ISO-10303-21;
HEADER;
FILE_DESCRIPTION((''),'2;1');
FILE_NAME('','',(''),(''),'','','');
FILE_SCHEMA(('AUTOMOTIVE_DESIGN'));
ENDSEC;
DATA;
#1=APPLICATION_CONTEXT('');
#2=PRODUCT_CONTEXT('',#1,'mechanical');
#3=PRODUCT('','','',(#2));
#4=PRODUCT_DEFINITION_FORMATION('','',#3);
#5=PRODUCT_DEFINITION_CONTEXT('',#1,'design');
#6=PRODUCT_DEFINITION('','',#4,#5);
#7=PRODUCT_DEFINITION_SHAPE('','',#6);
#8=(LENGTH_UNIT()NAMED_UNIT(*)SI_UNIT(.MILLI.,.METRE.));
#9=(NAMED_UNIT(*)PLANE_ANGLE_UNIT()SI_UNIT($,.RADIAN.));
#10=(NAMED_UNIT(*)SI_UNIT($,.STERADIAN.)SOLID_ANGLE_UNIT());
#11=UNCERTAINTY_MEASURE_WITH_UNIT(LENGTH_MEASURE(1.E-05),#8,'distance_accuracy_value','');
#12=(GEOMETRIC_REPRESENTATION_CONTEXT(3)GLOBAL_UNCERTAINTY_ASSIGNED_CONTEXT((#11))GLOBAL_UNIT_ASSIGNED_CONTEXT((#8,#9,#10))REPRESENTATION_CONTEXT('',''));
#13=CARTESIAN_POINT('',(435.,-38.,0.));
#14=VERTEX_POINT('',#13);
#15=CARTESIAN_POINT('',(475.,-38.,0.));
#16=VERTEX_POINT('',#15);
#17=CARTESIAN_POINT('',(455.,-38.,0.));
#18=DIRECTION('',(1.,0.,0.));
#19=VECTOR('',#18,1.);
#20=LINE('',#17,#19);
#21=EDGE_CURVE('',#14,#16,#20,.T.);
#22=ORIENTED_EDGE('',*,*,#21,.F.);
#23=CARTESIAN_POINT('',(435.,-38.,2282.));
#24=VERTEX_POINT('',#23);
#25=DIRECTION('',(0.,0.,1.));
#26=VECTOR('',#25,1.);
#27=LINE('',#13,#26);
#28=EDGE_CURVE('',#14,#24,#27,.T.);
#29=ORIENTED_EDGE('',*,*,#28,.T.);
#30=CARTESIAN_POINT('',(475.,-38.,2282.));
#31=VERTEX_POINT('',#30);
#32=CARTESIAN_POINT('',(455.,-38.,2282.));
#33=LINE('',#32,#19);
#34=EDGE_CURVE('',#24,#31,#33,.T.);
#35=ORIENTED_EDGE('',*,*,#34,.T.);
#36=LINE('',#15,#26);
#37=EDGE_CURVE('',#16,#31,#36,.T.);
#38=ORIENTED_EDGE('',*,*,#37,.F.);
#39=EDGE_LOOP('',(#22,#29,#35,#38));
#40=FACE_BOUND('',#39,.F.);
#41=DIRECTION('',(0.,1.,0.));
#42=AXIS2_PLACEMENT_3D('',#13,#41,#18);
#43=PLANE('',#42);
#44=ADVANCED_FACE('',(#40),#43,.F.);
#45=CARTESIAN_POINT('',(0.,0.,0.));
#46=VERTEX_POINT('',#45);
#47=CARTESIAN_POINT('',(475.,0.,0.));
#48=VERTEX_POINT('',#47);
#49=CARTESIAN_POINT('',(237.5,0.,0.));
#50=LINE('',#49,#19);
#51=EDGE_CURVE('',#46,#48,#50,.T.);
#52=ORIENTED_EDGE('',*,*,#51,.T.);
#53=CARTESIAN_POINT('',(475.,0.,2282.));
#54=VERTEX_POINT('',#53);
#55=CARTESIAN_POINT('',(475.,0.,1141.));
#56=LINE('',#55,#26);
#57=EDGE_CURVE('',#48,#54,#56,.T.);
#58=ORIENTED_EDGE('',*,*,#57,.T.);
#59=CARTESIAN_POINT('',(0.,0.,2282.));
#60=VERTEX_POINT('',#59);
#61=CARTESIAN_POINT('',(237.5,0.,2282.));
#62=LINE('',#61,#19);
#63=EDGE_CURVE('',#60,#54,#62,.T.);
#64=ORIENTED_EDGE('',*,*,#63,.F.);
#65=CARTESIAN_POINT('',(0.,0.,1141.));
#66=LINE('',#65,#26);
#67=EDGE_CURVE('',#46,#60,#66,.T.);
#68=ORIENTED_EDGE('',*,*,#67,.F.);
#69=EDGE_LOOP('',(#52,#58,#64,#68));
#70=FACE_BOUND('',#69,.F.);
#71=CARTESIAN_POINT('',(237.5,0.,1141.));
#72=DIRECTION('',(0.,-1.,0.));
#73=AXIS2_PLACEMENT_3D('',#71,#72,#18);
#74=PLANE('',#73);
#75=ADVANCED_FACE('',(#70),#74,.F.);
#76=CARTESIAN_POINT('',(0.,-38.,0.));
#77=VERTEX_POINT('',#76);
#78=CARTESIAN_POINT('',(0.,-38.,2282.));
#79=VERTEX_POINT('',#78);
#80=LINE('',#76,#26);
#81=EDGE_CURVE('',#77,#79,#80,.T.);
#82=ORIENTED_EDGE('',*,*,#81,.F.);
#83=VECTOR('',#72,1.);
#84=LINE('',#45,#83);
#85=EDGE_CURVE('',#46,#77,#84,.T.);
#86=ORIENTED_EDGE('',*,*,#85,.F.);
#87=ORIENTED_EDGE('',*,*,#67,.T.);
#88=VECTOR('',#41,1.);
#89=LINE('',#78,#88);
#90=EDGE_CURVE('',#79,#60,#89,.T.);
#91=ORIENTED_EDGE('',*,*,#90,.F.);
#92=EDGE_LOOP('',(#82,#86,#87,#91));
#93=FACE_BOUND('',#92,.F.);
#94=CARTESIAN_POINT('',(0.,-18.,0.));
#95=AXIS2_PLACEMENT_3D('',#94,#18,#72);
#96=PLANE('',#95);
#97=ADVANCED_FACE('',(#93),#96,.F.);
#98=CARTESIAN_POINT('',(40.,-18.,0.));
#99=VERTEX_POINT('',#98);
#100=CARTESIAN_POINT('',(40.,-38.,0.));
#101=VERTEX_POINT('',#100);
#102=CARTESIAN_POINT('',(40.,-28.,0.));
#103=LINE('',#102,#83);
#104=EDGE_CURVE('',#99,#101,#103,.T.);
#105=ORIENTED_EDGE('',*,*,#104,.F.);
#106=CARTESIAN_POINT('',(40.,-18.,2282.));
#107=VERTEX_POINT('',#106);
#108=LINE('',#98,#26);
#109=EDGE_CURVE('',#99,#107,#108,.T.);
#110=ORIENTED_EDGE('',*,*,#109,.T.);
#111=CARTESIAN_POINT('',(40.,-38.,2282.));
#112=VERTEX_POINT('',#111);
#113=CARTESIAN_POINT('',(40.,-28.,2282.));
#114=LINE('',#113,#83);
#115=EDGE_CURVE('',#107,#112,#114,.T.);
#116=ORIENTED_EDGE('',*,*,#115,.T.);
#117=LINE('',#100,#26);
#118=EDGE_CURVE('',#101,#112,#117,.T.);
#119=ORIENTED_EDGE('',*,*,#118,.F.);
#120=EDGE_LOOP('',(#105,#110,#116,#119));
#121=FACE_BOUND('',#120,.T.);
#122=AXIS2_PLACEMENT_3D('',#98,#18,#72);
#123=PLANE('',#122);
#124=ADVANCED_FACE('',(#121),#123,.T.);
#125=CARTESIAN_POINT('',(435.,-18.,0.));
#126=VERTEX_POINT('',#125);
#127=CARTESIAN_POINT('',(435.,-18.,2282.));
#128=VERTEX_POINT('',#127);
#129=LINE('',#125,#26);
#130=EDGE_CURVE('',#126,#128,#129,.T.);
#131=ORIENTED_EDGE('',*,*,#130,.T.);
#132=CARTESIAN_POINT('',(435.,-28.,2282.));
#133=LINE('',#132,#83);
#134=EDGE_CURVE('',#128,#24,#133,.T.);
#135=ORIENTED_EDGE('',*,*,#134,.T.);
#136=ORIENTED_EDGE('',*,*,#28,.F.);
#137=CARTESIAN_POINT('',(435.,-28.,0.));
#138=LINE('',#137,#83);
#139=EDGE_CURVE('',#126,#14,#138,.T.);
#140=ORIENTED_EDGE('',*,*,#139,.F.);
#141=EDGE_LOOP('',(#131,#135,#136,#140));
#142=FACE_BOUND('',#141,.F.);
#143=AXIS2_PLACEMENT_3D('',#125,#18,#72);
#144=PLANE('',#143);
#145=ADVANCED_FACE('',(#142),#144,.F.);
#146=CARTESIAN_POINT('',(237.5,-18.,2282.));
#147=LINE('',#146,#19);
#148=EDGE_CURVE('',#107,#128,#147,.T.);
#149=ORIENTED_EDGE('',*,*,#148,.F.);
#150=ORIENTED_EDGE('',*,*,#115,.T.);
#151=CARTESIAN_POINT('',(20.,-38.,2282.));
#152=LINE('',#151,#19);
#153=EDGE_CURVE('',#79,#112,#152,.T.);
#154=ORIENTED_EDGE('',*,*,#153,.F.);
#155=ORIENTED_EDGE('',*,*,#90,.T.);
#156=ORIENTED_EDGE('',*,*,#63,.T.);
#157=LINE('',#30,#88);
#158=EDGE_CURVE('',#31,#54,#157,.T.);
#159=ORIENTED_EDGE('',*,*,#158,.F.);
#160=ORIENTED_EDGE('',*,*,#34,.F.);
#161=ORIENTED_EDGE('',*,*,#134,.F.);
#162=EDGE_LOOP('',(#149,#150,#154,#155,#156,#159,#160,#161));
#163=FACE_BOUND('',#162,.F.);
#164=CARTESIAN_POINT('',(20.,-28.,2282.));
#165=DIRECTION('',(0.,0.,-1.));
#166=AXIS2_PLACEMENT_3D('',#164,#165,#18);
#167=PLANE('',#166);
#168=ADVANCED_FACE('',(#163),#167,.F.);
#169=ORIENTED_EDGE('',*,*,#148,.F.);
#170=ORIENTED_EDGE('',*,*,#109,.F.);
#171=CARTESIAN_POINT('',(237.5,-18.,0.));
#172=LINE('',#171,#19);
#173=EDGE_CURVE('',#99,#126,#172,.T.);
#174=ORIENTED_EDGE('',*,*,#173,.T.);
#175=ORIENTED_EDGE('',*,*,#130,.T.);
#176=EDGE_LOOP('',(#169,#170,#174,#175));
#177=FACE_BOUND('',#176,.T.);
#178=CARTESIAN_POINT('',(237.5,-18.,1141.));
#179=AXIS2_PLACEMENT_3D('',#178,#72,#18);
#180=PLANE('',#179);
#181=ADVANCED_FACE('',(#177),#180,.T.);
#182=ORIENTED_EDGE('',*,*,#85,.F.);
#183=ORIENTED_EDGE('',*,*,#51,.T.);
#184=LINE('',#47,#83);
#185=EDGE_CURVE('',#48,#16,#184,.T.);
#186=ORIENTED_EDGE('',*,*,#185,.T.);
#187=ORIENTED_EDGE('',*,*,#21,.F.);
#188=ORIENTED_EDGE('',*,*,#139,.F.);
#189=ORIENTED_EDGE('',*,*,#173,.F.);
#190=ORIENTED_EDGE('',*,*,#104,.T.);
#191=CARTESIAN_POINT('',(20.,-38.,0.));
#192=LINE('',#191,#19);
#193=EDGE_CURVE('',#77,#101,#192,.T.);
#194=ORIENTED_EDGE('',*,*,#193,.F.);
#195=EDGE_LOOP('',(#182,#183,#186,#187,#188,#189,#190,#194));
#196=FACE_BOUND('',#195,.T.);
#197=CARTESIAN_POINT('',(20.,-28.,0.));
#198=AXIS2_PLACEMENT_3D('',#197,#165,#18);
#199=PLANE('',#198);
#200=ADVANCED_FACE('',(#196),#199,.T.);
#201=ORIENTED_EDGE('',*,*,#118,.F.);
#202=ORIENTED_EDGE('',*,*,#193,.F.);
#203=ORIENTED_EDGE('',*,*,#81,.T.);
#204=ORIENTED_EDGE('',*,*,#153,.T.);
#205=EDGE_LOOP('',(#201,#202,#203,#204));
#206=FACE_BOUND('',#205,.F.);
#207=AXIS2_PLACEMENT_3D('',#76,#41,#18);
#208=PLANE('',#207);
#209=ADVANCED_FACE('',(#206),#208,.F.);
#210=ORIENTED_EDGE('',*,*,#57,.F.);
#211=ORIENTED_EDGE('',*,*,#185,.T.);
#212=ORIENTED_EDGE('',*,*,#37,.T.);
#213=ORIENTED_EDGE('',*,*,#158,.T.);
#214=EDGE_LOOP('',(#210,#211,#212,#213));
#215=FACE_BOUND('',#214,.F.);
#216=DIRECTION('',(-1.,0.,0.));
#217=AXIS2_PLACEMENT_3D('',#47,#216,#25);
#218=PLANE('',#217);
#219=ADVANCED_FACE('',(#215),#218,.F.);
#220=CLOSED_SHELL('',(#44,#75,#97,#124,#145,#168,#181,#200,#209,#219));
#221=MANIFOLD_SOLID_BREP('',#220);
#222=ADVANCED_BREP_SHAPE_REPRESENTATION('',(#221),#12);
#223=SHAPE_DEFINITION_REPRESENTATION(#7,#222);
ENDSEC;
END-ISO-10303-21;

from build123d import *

# Parameters (mm, degrees)
F0_W     = 475
F0_H     = 2282
F1_DEPTH = 18
F2_W     = 40
F2_H     = 20
F3_DEPTH = 2282


with BuildPart() as f1:
    # F0 (on Front) → F1 (new body)
    with BuildSketch(Plane.XZ):
        with Locations((237.5, 1141)):
            Rectangle(F0_W, F0_H)
    extrude(amount=F1_DEPTH)

    # F2 (on face) → F3 (join)
    with BuildSketch(Plane(origin=(0, 0, 0), x_dir=(1, 0, 0), z_dir=(0, 0, -1))):
        with Locations((20, 28)):
            Rectangle(F2_W, F2_H)
        with Locations((455, 28)):
            Rectangle(F2_W, F2_H)
    extrude(amount=-F3_DEPTH)


solid = f1.part
